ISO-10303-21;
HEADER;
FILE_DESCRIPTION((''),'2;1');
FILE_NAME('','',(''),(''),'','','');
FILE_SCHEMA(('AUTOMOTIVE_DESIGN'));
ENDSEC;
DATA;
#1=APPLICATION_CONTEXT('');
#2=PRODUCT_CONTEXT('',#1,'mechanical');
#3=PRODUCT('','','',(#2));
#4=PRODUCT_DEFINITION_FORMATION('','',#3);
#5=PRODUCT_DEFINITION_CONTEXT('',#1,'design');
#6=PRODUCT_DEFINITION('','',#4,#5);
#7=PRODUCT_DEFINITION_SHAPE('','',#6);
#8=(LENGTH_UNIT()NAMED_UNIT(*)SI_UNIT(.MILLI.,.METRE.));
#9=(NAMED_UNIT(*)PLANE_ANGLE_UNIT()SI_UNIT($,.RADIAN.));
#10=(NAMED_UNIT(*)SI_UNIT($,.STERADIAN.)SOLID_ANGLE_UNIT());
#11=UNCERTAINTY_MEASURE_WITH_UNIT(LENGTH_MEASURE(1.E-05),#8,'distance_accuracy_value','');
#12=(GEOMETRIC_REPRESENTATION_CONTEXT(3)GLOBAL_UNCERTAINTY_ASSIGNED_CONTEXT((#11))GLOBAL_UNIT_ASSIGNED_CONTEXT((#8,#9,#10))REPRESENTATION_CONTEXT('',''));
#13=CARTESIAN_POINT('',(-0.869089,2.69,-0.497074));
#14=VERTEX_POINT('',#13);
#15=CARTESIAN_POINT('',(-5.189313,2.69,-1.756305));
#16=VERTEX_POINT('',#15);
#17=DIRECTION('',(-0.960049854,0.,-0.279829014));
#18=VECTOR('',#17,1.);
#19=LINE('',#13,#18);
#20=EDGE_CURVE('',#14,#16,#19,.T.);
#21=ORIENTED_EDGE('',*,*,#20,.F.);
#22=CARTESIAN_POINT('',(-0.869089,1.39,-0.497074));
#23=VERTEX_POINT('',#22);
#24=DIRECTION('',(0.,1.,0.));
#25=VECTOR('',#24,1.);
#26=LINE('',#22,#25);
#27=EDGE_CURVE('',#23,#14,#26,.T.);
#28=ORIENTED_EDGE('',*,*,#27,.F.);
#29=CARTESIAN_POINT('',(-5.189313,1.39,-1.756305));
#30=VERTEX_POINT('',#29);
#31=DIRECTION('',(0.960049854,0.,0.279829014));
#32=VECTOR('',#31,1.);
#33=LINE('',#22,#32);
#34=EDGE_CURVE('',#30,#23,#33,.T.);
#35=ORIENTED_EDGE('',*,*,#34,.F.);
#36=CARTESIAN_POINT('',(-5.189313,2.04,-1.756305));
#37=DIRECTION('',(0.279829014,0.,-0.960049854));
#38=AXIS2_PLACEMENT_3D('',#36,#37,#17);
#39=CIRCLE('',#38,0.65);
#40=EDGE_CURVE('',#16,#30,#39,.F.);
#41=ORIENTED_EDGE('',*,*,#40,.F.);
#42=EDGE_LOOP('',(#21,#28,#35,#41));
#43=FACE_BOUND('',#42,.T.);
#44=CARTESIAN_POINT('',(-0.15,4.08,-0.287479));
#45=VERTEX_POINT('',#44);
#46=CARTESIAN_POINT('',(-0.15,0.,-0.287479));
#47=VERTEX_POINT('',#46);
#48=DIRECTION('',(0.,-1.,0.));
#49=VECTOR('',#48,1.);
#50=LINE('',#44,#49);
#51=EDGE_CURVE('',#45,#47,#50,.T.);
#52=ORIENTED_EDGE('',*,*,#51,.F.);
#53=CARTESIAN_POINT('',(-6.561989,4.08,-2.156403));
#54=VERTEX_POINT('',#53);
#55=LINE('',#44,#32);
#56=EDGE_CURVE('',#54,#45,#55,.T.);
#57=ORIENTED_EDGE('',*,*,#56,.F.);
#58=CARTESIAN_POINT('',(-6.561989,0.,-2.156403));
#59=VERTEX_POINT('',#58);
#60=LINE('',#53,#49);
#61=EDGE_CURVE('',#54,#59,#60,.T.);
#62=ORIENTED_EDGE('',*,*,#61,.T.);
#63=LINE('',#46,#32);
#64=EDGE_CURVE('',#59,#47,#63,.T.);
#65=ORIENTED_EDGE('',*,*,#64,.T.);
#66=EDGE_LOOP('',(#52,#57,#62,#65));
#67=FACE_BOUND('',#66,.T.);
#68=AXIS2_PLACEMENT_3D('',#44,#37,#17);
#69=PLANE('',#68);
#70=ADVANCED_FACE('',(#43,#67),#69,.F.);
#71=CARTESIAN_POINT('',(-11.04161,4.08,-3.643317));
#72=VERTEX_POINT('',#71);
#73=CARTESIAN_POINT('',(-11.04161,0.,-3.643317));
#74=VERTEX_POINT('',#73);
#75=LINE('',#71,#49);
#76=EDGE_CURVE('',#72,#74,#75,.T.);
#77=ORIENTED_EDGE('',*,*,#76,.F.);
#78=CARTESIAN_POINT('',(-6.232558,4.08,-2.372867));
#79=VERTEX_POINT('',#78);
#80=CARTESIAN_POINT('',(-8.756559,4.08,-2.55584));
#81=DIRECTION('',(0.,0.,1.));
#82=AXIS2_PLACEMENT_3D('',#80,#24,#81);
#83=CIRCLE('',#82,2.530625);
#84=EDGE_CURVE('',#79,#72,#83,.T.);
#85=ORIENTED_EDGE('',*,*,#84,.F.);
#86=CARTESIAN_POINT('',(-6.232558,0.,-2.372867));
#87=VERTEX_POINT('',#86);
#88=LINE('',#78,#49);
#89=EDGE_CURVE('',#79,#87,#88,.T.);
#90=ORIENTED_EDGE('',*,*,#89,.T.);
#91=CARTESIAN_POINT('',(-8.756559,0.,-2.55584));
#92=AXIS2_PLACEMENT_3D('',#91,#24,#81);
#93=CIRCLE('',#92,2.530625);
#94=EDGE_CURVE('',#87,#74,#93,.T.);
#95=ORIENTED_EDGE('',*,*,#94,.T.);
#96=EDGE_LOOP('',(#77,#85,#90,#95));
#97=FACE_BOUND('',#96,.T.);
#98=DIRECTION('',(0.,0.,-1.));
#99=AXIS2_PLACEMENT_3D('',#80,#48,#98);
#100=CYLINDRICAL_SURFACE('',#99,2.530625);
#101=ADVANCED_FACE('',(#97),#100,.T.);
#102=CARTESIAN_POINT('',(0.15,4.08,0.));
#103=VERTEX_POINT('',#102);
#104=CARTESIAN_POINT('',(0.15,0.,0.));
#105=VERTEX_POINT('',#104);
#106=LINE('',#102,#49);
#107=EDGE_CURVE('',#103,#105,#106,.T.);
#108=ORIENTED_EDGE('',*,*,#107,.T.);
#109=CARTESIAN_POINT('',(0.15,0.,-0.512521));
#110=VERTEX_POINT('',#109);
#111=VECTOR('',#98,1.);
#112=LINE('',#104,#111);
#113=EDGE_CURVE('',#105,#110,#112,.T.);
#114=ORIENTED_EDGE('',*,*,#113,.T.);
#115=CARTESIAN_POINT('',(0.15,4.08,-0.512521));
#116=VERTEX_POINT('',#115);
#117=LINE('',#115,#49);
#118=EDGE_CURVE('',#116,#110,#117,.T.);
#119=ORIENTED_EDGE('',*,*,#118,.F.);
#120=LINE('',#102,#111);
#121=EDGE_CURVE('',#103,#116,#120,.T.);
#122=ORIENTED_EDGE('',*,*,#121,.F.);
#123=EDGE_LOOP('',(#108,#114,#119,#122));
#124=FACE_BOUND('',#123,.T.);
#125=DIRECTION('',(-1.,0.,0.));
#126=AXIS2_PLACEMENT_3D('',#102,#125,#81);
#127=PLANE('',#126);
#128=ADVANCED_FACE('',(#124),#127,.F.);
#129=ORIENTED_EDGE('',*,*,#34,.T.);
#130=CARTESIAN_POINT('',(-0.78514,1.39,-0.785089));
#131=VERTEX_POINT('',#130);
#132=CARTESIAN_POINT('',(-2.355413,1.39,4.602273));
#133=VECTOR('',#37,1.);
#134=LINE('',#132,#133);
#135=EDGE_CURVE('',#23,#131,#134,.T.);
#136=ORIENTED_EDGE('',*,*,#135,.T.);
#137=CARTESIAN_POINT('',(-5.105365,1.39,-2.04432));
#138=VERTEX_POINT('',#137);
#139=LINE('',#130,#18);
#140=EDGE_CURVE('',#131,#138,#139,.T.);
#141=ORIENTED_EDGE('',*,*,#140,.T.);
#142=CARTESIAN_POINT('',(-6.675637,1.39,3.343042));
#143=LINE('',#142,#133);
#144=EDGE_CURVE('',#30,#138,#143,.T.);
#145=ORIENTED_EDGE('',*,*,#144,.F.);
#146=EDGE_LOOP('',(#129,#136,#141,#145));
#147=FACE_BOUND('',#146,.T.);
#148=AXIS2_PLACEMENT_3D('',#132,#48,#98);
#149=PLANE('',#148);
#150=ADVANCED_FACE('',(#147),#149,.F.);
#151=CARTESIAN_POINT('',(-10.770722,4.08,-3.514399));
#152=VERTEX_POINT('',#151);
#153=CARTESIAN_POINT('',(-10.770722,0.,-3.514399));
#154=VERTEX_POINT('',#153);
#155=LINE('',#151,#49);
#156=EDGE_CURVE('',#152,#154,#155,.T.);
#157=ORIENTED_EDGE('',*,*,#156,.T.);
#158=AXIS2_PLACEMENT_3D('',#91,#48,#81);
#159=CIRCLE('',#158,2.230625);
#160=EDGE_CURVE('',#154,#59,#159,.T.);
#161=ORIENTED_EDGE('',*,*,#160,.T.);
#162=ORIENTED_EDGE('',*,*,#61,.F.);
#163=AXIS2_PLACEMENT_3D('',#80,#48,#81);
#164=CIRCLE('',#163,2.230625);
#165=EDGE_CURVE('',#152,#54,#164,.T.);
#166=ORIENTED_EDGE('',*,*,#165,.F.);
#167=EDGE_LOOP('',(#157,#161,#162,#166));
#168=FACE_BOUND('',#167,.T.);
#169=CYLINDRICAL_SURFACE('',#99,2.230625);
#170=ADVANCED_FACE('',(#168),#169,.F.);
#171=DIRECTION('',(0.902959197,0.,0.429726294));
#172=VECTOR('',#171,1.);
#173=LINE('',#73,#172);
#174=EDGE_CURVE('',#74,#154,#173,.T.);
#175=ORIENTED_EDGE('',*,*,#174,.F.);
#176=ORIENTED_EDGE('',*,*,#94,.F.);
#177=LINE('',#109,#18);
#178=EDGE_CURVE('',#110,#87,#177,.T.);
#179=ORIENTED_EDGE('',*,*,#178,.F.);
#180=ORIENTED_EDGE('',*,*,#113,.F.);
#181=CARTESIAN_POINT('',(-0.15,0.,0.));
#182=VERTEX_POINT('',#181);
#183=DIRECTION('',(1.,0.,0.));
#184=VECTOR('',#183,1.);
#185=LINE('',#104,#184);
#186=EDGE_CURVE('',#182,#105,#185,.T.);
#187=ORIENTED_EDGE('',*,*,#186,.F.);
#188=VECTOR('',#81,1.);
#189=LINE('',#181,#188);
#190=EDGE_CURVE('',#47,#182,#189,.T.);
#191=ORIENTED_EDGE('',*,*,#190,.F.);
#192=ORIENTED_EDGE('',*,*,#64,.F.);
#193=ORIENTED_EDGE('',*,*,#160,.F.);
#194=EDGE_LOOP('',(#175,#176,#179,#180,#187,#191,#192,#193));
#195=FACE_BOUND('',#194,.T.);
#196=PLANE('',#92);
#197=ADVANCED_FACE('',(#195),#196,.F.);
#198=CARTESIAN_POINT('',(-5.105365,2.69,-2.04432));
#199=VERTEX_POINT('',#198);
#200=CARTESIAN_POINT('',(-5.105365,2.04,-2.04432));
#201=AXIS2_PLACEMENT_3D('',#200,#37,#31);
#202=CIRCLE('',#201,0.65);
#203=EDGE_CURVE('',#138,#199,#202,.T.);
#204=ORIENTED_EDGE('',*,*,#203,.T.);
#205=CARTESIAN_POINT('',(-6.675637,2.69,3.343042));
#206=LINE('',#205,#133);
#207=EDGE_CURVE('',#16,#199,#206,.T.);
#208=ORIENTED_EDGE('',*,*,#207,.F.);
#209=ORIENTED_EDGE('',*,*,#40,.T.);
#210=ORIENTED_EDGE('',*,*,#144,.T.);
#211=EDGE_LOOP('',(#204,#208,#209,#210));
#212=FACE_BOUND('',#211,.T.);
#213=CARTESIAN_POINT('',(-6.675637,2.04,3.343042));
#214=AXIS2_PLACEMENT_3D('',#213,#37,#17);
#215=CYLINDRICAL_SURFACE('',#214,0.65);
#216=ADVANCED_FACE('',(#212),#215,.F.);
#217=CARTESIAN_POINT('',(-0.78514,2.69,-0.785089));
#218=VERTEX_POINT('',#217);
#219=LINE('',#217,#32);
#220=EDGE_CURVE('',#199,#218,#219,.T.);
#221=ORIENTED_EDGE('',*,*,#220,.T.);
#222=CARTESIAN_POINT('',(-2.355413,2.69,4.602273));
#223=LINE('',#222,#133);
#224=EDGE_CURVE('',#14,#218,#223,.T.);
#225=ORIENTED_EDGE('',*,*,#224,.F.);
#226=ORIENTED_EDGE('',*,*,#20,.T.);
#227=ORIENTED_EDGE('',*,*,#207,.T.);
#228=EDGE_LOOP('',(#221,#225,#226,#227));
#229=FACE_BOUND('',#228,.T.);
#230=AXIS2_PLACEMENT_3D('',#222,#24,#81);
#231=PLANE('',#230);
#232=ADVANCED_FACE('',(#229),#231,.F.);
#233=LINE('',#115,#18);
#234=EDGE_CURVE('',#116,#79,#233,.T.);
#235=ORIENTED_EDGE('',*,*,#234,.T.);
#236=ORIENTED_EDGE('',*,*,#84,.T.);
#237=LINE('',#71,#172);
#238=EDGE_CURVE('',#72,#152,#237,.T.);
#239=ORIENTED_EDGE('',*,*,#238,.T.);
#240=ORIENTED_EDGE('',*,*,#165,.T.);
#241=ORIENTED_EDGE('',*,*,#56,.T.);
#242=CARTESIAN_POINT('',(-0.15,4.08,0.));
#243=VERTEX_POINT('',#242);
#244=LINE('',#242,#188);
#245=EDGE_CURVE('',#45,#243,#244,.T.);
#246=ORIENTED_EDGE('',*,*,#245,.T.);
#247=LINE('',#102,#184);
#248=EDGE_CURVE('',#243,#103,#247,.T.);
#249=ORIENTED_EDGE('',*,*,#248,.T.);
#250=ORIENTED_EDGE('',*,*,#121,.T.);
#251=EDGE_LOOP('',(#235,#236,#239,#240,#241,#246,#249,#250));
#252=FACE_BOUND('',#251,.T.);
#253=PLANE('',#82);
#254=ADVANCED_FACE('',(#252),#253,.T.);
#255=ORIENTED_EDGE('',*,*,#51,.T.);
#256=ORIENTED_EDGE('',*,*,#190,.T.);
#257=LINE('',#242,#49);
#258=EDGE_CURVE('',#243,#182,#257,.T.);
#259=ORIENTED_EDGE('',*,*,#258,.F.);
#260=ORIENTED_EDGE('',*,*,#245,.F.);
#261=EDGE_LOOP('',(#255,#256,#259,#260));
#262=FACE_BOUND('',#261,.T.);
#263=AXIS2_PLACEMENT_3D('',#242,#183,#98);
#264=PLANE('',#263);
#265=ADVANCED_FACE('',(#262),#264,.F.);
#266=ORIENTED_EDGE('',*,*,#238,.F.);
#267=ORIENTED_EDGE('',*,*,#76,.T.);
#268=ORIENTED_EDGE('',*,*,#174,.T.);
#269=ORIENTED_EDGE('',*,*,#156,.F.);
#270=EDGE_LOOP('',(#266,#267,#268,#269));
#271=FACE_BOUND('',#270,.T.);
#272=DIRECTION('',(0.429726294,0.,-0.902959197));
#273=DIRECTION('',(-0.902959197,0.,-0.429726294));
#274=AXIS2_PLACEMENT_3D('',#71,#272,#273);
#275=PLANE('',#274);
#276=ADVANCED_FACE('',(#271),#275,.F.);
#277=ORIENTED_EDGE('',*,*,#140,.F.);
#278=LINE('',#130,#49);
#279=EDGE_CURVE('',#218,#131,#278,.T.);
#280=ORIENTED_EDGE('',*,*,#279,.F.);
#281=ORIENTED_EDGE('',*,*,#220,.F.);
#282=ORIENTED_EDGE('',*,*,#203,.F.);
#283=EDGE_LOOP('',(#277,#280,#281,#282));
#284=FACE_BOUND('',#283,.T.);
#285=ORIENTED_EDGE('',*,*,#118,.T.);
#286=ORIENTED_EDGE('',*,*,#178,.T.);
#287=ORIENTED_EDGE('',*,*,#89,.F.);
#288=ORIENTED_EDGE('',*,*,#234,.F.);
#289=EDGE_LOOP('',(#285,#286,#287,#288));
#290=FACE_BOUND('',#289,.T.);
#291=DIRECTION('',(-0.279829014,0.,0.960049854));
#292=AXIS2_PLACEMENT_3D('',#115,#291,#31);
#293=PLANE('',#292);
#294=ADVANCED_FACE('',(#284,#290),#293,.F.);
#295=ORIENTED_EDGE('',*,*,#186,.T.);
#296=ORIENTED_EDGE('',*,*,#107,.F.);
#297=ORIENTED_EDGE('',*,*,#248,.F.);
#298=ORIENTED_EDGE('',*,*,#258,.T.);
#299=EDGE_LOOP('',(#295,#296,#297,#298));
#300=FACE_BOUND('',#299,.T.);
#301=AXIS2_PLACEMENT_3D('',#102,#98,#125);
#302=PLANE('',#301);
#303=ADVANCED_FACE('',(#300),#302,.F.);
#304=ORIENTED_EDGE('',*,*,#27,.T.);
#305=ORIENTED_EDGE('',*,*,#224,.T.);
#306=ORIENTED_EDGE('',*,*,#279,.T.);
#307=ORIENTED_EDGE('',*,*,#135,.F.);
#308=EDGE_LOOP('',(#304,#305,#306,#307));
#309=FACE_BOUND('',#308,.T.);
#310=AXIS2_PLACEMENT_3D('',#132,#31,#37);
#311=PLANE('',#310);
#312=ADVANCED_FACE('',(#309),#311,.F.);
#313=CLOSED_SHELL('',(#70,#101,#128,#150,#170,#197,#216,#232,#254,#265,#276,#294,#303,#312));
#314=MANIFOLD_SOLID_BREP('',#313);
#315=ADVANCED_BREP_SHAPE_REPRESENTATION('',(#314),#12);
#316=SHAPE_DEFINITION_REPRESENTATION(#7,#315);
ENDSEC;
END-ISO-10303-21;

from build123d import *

# Parameters (mm, degrees)
BOSS_EXTRUDE1_DEPTH = 4.08
CUT_EXTRUDE1_DEPTH  = 0.3


with BuildPart() as part:
    # Sketch1 → Boss-Extrude1 (new body)
    with BuildSketch(Plane(origin=(0, 0, 0), x_dir=(1, 0, 0), z_dir=(0, 1, 0))):
        with BuildLine():
            Line((0.15, 0), (0.15, 0.512520873))
            Line((0.15, 0.512520873), (-6.232557616, 2.372866767))
            ThreePointArc((-6.232557616, 2.372866767), (-8.110196222, 5.002527571), (-11.041610225, 3.643316544))
            Line((-11.041610225, 3.643316544), (-10.770722466, 3.514398655))
            ThreePointArc((-10.770722466, 3.514398655), (-8.071596063, 4.67869548), (-6.561988987, 2.156403483))
            Line((-6.561988987, 2.156403483), (-0.15, 0.287479127))
            Line((-0.15, 0.287479127), (-0.15, 0))
            Line((-0.15, 0), (0.15, 0))
        make_face()
    extrude(amount=BOSS_EXTRUDE1_DEPTH)

    # Sketch2 → Cut-Extrude1 (cut)
    with BuildSketch(Plane(origin=(0.149434274, 0, -0.512685767), x_dir=(-0.9600498543859307, 0, -0.27982901403098553), z_dir=(0.27982901403098553, 0, -0.9600498543859307))):
        with BuildLine():
            Line((0.97346461, 1.39), (0.97346461, 2.69))
            Line((0.97346461, 2.69), (5.47346461, 2.69))
            ThreePointArc((5.47346461, 2.69), (6.12346461, 2.04), (5.47346461, 1.39))
            Line((5.47346461, 1.39), (0.97346461, 1.39))
        make_face()
    extrude(amount=-CUT_EXTRUDE1_DEPTH, mode=Mode.SUBTRACT)


solid = part.part
